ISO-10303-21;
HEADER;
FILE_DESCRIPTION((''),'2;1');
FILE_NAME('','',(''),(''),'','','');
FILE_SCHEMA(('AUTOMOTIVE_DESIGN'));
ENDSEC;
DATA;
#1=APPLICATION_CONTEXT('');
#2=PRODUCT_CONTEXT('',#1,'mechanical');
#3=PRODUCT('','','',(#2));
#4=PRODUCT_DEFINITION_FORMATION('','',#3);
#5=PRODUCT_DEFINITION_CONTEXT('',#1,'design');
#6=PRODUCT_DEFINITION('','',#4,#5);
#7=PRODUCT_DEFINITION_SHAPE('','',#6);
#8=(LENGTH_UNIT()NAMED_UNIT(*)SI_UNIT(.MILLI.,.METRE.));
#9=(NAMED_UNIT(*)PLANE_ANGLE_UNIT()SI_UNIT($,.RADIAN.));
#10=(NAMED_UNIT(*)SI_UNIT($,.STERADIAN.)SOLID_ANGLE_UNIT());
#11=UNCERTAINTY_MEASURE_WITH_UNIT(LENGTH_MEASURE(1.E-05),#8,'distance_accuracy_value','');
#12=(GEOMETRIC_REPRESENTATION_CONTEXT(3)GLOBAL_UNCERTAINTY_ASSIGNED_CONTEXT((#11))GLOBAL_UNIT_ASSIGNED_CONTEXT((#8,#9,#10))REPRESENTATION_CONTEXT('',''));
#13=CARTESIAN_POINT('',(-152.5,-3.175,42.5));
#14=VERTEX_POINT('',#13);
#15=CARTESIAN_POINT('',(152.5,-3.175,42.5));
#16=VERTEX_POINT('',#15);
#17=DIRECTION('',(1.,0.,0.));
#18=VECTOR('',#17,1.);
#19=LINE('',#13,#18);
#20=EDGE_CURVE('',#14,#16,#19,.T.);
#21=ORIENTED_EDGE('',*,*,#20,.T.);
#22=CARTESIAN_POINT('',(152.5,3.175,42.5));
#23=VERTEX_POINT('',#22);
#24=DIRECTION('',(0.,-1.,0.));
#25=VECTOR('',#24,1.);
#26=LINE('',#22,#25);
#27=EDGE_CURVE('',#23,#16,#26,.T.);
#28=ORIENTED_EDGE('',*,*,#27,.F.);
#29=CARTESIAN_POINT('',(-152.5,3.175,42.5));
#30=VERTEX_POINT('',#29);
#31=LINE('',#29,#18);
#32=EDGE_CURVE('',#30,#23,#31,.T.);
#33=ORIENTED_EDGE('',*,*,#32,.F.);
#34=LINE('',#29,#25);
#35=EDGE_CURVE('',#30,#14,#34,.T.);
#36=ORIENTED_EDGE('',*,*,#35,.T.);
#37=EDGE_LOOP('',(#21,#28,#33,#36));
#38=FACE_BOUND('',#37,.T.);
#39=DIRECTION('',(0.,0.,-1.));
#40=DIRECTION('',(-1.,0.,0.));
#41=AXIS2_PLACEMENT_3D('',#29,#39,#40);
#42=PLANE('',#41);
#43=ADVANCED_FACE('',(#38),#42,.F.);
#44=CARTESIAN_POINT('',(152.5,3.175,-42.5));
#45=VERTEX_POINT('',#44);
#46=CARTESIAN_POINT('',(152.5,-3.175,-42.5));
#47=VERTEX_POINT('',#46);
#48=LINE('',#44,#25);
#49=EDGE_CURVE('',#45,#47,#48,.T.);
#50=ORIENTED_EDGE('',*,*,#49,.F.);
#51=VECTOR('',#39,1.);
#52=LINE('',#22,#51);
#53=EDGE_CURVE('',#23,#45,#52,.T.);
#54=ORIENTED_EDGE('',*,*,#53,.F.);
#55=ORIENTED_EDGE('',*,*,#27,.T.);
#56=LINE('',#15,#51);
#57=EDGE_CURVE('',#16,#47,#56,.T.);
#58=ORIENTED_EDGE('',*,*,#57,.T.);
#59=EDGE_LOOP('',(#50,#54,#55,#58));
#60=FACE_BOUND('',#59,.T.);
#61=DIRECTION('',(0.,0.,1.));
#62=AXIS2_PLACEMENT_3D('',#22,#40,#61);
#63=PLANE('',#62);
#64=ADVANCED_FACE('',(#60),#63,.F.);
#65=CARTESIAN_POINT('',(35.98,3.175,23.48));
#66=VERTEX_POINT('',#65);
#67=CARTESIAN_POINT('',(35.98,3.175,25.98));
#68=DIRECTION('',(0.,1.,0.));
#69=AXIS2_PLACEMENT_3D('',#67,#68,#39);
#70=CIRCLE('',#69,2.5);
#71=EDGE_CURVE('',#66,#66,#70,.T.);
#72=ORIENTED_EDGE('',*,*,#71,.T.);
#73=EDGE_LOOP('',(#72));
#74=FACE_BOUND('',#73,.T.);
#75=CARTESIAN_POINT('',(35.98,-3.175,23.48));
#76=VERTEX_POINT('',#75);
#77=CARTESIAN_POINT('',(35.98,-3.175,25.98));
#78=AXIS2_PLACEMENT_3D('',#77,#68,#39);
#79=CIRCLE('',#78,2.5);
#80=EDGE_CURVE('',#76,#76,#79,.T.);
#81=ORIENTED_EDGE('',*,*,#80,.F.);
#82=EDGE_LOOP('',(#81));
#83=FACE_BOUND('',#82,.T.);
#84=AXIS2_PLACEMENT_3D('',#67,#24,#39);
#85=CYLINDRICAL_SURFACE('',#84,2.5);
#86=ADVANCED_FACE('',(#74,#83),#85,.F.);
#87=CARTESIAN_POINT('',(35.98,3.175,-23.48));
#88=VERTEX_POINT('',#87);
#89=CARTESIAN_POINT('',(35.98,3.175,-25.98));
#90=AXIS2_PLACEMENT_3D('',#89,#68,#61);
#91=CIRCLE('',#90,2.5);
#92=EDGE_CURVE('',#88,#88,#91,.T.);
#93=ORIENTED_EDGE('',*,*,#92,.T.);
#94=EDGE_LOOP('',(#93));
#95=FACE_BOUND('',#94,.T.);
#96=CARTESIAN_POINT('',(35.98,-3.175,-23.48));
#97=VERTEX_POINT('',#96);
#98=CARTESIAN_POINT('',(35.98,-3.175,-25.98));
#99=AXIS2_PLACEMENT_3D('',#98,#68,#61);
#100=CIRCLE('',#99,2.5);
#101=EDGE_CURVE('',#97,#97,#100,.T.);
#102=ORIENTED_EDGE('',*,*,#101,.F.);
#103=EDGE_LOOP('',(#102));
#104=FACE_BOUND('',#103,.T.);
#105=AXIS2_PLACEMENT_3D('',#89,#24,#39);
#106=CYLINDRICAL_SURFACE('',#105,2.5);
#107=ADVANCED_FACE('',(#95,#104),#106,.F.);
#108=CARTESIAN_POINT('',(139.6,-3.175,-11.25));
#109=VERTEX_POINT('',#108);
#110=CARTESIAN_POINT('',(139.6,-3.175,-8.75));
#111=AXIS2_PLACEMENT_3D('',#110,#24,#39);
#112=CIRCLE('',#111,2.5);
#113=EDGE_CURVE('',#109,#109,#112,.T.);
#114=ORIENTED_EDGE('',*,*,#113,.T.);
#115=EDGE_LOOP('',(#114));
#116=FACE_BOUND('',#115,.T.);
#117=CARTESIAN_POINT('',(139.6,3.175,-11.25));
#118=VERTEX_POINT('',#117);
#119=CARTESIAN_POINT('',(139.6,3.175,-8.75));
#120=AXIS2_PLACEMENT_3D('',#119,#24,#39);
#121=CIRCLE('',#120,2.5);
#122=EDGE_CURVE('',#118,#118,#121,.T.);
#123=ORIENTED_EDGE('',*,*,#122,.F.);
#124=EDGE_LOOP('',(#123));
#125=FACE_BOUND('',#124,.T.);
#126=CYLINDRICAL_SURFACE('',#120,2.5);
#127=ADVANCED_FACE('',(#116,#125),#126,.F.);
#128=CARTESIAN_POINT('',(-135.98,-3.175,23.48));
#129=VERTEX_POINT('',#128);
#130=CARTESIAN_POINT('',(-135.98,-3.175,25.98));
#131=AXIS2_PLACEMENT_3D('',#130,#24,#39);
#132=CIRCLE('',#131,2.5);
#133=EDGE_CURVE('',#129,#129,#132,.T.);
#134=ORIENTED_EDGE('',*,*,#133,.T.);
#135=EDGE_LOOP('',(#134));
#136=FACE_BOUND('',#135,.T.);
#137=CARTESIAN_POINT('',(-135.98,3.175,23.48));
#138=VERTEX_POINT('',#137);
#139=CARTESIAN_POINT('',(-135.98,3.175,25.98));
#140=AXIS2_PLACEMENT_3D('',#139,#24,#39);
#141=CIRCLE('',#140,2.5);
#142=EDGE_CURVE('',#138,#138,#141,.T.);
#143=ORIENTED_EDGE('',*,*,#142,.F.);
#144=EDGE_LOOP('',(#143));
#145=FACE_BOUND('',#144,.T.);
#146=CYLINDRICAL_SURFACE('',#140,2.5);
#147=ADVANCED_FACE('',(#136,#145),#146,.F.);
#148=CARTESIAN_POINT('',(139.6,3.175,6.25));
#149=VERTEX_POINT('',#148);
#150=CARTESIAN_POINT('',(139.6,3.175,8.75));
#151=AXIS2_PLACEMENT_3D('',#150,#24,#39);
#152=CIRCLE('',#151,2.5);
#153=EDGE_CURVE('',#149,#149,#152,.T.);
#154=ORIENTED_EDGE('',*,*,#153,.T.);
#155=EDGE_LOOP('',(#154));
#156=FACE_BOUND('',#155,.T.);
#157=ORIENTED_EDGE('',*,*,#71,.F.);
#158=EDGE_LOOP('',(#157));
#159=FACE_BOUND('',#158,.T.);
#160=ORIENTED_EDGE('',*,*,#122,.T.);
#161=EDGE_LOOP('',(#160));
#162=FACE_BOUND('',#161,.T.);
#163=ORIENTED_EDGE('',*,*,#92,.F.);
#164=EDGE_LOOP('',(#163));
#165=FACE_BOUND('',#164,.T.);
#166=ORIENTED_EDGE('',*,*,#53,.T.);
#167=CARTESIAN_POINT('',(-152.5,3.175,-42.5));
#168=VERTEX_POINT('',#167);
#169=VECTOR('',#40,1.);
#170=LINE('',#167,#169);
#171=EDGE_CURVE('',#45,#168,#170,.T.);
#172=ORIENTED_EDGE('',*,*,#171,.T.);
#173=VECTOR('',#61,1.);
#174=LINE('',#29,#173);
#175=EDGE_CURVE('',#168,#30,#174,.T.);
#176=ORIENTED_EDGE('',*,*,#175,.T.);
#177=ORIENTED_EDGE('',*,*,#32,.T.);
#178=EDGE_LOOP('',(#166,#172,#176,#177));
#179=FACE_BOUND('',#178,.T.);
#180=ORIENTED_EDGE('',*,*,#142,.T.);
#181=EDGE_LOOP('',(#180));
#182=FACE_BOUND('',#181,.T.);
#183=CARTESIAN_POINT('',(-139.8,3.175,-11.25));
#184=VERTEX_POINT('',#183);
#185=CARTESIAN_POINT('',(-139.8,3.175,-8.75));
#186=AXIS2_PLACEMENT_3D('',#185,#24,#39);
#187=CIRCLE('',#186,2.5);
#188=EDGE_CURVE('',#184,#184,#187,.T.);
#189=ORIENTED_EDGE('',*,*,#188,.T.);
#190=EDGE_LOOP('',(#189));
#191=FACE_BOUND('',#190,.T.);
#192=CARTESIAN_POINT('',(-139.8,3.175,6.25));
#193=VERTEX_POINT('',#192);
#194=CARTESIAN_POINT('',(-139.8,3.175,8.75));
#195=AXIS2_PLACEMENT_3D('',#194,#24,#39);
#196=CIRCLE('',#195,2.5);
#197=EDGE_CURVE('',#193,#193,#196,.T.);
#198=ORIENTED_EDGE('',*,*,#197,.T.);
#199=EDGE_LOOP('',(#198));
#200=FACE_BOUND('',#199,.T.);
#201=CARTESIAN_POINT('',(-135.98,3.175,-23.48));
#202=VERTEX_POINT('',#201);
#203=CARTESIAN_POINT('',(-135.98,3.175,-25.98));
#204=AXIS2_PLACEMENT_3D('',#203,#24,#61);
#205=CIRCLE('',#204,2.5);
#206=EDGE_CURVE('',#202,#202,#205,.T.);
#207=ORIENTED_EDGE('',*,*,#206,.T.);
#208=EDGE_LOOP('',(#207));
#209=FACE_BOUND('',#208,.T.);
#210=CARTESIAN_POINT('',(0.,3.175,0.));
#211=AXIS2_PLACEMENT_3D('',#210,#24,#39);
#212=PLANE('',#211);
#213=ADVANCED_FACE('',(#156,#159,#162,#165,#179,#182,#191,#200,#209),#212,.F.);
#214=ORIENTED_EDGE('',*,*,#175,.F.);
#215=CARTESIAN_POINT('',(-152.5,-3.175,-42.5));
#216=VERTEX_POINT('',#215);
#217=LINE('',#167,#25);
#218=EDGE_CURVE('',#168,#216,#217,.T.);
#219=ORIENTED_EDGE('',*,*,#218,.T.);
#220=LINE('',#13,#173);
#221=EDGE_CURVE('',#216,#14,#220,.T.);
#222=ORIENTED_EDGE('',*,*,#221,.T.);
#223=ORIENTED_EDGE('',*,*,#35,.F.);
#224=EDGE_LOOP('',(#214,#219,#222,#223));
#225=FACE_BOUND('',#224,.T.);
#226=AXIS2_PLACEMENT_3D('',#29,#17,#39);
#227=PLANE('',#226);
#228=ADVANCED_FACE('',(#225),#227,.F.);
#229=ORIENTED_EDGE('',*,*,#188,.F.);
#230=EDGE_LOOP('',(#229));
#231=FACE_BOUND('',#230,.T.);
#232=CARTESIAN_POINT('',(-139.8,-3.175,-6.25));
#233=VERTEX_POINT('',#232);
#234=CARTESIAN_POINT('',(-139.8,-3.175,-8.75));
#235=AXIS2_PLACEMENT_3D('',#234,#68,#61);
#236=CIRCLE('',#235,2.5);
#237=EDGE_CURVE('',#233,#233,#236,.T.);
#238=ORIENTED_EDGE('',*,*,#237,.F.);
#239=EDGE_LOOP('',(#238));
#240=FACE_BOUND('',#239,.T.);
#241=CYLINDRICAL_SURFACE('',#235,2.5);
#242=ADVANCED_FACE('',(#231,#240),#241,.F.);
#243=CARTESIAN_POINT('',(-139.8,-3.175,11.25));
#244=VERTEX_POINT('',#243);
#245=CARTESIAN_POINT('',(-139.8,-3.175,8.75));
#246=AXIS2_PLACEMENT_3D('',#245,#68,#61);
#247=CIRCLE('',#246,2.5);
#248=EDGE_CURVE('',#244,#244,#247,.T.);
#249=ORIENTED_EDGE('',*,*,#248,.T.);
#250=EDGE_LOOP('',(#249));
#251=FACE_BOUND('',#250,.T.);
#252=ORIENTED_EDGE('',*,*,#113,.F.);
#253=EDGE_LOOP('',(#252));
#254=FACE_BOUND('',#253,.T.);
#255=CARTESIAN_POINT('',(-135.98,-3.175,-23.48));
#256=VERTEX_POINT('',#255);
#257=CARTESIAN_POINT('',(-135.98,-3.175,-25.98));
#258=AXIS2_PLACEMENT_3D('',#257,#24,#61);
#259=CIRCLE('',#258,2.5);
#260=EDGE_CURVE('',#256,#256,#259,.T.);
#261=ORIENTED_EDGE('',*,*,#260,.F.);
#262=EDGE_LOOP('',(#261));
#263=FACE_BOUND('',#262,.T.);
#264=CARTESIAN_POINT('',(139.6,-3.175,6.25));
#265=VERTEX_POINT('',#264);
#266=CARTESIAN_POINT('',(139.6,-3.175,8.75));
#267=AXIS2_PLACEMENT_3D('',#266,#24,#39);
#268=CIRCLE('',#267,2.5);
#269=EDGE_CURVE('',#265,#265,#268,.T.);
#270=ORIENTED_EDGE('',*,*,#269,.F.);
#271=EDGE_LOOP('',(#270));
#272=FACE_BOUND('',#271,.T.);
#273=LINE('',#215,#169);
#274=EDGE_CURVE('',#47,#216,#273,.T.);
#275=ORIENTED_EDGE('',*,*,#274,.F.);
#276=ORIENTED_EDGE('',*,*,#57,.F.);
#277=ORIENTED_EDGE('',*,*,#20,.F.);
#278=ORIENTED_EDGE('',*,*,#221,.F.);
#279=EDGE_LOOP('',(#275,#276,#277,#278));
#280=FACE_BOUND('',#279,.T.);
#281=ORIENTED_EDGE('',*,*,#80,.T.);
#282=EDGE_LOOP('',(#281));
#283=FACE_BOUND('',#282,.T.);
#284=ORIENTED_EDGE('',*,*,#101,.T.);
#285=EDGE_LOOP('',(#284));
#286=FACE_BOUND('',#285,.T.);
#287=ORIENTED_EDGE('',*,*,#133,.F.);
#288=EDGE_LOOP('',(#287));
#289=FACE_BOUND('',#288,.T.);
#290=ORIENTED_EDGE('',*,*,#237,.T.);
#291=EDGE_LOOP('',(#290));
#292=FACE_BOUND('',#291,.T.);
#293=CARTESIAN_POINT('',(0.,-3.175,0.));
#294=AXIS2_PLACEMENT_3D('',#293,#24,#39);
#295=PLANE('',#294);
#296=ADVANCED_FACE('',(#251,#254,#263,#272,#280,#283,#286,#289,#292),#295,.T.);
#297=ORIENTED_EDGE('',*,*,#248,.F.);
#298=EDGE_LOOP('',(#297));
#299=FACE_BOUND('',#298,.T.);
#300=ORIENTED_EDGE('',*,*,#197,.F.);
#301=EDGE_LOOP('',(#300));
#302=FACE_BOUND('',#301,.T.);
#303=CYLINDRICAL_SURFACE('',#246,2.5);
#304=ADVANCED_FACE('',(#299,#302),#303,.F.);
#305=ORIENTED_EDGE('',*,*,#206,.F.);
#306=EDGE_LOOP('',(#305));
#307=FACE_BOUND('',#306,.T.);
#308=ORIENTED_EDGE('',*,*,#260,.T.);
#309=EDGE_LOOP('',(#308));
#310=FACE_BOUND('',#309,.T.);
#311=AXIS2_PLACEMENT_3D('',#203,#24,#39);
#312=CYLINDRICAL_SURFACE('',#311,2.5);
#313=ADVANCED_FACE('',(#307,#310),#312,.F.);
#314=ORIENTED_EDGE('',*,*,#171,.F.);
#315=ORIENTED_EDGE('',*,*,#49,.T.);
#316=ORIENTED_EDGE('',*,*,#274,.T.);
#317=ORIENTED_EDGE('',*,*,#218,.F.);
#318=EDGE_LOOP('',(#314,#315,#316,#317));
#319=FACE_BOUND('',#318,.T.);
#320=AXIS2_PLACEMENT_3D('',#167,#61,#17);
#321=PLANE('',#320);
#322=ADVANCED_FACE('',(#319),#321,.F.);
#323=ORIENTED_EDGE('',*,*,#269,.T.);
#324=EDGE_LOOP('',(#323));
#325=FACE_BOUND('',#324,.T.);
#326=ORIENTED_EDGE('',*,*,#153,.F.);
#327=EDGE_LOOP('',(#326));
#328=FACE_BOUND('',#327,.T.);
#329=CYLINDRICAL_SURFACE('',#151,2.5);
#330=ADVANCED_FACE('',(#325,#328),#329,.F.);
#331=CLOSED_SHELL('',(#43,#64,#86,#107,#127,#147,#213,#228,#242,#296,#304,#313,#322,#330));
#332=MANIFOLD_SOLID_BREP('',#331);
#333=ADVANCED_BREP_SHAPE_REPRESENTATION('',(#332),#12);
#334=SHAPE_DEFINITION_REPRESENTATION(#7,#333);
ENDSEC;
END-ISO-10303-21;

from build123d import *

# Parameters (mm, degrees)
SKETCH1_W               = 305
SKETCH1_H               = 85
BOSS_EXTRUDE1_DEPTH     = 3.175
SKETCH4_R               = 2.5
CUT_EXTRUDE2_DEPTH      = 161.752389174
CUT_EXTRUDE3_DEPTH      = 159.438702658
CUT_EXTRUDE3_DEPTH_BACK = 159.438702658
SKETCH6_R               = 2.5
CUT_EXTRUDE4_DEPTH      = 159.438702658
CUT_EXTRUDE4_DEPTH_BACK = 159.438702658
SKETCH7_R               = 2.5


with BuildPart() as part:
    # Sketch1 → Boss-Extrude1 (new, symmetric)
    with BuildSketch(Plane(origin=(0, 0, 0), x_dir=(1, 0, 0), z_dir=(0, 1, 0))):
        Rectangle(SKETCH1_W, SKETCH1_H)
    extrude(amount=BOSS_EXTRUDE1_DEPTH, both=True)

    # Sketch4 → Cut-Extrude2 (cut, symmetric)
    with BuildSketch(Plane(origin=(-2.5, 0, 0), x_dir=(-1, 0, 0), z_dir=(0, -1, 0))):
        with Locations(Location((133.48, -25.98, 0), (0, 0, 90))):
            Circle(SKETCH4_R)
        with Locations(Location((133.48, 25.98, 0), (0, 0, 270))):
            Circle(SKETCH4_R)
    cut_extrude2 = extrude(amount=CUT_EXTRUDE2_DEPTH, both=True, mode=Mode.SUBTRACT)

    # Mirror2: Cut-Extrude2 across plane
    add(cut_extrude2.mirror(Plane.ZY.offset(50)), mode=Mode.SUBTRACT)

    # Sketch6 → Cut-Extrude3 (cut, two sides: drawn at the far end of the back side and taken through both)
    with BuildSketch(Plane(origin=(0, 3.175, 0), x_dir=(1, 0, 0), z_dir=(0, 1, 0)).offset(-CUT_EXTRUDE3_DEPTH_BACK)):
        with Locations(Location((-139.8, 8.75, 0), (0, 0, 270))):
            Circle(SKETCH6_R)
        with Locations(Location((-139.8, -8.75, 0), (0, 0, 270))):
            Circle(SKETCH6_R)
    extrude(amount=CUT_EXTRUDE3_DEPTH + CUT_EXTRUDE3_DEPTH_BACK, mode=Mode.SUBTRACT)

    # Sketch7 → Cut-Extrude4 (cut, two sides: drawn at the far end of the back side and taken through both)
    with BuildSketch(Plane.XZ.offset(3.175).offset(-CUT_EXTRUDE4_DEPTH_BACK)):
        with Locations(Location((139.6, -8.75, 0), (0, 0, 270))):
            Circle(SKETCH7_R)
        with Locations(Location((139.6, 8.75, 0), (0, 0, 270))):
            Circle(SKETCH7_R)
    extrude(amount=CUT_EXTRUDE4_DEPTH + CUT_EXTRUDE4_DEPTH_BACK, mode=Mode.SUBTRACT)


solid = part.part
